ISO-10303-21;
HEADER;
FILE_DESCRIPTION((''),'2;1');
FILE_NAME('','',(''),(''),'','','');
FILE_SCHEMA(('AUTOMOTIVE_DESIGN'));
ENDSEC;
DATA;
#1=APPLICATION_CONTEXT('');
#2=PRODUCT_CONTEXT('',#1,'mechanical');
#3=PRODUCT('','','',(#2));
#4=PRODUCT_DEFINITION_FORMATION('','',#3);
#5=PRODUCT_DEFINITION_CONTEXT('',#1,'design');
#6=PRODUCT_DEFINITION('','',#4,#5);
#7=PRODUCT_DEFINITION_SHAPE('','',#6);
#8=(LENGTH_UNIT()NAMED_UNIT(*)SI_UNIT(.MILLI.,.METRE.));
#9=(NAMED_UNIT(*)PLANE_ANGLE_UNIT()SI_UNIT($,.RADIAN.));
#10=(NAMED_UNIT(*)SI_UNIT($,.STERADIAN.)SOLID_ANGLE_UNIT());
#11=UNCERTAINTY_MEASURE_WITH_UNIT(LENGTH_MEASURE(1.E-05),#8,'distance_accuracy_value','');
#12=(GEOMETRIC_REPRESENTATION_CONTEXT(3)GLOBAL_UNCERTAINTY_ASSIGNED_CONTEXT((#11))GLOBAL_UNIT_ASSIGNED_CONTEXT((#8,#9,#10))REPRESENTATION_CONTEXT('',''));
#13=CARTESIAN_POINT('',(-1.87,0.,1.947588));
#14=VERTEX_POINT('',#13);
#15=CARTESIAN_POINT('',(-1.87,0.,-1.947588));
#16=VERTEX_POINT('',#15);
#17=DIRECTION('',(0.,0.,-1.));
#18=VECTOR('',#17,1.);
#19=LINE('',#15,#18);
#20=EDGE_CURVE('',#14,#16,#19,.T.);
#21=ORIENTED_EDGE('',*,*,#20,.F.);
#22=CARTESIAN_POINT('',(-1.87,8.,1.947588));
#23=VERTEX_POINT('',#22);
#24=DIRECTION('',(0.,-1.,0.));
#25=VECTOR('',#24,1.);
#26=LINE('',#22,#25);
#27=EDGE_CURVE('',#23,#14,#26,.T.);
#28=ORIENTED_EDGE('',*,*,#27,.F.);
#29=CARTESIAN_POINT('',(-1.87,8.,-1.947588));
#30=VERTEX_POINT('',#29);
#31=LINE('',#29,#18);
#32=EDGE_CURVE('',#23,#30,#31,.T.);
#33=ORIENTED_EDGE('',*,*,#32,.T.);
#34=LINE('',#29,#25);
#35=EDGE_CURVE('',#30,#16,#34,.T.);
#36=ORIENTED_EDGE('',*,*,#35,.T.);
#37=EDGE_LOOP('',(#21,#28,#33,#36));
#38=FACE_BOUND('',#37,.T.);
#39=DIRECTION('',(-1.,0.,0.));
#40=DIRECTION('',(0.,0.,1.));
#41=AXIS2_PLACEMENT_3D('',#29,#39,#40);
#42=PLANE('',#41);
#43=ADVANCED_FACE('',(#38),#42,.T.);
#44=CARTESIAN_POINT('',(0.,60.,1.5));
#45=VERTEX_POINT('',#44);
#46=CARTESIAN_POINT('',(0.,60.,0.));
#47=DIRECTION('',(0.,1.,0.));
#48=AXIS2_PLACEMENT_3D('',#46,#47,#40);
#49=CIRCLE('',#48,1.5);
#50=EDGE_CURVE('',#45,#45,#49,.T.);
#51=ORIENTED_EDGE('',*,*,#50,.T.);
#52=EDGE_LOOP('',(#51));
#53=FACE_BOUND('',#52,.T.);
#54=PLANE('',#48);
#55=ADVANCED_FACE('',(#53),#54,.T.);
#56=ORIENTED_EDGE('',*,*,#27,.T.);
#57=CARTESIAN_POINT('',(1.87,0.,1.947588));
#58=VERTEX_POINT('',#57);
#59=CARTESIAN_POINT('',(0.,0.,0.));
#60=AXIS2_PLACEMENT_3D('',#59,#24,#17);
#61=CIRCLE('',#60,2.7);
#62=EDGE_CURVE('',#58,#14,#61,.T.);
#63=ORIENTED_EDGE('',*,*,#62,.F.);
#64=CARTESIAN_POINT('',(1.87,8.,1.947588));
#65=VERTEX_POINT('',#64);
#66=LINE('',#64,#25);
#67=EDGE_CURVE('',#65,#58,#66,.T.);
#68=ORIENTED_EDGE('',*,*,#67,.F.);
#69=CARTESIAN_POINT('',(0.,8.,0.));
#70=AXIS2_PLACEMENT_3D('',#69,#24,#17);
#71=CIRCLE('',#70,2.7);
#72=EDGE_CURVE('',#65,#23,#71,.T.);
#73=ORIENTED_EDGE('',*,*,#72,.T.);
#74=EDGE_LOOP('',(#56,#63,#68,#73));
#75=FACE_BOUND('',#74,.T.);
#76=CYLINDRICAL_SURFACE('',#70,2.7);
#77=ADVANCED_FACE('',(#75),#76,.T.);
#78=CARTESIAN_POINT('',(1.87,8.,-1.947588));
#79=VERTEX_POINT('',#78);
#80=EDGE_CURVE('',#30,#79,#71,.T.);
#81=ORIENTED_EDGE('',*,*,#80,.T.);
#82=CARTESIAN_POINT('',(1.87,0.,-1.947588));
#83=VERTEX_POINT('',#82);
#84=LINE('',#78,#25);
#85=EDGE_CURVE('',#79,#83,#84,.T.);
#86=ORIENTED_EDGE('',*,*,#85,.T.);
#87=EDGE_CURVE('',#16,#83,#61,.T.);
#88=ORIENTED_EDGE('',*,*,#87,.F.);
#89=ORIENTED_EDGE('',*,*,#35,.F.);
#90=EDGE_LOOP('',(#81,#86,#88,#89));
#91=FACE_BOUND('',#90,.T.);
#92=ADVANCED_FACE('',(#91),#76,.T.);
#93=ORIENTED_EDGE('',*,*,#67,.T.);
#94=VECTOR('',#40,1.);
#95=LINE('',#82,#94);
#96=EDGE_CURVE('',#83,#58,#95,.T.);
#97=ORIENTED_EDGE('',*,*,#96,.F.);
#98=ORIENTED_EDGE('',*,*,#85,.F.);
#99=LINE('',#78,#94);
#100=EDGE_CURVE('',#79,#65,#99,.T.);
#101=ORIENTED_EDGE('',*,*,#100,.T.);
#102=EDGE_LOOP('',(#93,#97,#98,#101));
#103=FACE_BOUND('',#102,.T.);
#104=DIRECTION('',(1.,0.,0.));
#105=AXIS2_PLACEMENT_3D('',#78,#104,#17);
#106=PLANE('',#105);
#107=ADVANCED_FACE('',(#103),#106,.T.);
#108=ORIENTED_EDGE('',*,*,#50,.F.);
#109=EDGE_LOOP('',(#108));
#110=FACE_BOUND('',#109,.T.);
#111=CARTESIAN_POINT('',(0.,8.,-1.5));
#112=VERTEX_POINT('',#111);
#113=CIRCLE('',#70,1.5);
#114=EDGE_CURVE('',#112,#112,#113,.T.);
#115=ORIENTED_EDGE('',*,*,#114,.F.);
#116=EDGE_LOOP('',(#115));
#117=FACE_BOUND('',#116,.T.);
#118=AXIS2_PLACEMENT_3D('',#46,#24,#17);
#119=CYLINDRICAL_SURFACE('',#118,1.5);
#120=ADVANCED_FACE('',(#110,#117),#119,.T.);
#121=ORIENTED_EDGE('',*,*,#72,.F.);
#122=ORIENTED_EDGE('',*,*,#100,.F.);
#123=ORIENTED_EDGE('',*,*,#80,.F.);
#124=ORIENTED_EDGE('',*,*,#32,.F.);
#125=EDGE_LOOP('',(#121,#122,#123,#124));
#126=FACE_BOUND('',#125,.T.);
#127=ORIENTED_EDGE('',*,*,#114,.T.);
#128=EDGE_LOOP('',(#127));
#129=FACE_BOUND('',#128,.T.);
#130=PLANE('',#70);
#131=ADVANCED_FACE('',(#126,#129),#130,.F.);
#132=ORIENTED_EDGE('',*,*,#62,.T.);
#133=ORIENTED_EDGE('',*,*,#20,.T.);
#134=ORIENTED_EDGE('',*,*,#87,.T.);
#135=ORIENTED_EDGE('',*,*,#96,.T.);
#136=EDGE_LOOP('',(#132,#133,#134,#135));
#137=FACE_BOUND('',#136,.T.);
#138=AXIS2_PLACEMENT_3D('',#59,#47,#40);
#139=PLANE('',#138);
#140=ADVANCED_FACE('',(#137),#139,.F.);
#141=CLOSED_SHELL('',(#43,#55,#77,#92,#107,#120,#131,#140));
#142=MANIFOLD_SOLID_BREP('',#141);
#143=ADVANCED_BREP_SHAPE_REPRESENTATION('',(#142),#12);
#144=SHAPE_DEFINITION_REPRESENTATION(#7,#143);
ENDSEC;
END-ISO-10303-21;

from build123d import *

# Parameters (mm, degrees)
SKETCH_1_R      = 1.5
EXTRUDE_1_DEPTH = 60
EXTRUDE_2_DEPTH = 8


with BuildPart() as part:
    # 草图1 → 凸台-拉伸1 (new body)
    with BuildSketch(Plane(origin=(0, 0, 0), x_dir=(1, 0, 0), z_dir=(0, 1, 0))):
        with Locations(Location((0, 0, 0), (0, 0, 270))):
            Circle(SKETCH_1_R)
    extrude(amount=EXTRUDE_1_DEPTH)

    # 草图2 → 凸台-拉伸2 (add)
    with BuildSketch(Plane.XZ):
        with BuildLine():
            Line((-1.87, -1.947588252), (-1.87, 1.947588252))
            ThreePointArc((-1.87, 1.947588252), (0, 2.7), (1.87, 1.947588252))
            Line((1.87, 1.947588252), (1.87, -1.947588252))
            ThreePointArc((1.87, -1.947588252), (0, -2.7), (-1.87, -1.947588252))
        make_face()
    extrude(amount=-EXTRUDE_2_DEPTH)


solid = part.part
